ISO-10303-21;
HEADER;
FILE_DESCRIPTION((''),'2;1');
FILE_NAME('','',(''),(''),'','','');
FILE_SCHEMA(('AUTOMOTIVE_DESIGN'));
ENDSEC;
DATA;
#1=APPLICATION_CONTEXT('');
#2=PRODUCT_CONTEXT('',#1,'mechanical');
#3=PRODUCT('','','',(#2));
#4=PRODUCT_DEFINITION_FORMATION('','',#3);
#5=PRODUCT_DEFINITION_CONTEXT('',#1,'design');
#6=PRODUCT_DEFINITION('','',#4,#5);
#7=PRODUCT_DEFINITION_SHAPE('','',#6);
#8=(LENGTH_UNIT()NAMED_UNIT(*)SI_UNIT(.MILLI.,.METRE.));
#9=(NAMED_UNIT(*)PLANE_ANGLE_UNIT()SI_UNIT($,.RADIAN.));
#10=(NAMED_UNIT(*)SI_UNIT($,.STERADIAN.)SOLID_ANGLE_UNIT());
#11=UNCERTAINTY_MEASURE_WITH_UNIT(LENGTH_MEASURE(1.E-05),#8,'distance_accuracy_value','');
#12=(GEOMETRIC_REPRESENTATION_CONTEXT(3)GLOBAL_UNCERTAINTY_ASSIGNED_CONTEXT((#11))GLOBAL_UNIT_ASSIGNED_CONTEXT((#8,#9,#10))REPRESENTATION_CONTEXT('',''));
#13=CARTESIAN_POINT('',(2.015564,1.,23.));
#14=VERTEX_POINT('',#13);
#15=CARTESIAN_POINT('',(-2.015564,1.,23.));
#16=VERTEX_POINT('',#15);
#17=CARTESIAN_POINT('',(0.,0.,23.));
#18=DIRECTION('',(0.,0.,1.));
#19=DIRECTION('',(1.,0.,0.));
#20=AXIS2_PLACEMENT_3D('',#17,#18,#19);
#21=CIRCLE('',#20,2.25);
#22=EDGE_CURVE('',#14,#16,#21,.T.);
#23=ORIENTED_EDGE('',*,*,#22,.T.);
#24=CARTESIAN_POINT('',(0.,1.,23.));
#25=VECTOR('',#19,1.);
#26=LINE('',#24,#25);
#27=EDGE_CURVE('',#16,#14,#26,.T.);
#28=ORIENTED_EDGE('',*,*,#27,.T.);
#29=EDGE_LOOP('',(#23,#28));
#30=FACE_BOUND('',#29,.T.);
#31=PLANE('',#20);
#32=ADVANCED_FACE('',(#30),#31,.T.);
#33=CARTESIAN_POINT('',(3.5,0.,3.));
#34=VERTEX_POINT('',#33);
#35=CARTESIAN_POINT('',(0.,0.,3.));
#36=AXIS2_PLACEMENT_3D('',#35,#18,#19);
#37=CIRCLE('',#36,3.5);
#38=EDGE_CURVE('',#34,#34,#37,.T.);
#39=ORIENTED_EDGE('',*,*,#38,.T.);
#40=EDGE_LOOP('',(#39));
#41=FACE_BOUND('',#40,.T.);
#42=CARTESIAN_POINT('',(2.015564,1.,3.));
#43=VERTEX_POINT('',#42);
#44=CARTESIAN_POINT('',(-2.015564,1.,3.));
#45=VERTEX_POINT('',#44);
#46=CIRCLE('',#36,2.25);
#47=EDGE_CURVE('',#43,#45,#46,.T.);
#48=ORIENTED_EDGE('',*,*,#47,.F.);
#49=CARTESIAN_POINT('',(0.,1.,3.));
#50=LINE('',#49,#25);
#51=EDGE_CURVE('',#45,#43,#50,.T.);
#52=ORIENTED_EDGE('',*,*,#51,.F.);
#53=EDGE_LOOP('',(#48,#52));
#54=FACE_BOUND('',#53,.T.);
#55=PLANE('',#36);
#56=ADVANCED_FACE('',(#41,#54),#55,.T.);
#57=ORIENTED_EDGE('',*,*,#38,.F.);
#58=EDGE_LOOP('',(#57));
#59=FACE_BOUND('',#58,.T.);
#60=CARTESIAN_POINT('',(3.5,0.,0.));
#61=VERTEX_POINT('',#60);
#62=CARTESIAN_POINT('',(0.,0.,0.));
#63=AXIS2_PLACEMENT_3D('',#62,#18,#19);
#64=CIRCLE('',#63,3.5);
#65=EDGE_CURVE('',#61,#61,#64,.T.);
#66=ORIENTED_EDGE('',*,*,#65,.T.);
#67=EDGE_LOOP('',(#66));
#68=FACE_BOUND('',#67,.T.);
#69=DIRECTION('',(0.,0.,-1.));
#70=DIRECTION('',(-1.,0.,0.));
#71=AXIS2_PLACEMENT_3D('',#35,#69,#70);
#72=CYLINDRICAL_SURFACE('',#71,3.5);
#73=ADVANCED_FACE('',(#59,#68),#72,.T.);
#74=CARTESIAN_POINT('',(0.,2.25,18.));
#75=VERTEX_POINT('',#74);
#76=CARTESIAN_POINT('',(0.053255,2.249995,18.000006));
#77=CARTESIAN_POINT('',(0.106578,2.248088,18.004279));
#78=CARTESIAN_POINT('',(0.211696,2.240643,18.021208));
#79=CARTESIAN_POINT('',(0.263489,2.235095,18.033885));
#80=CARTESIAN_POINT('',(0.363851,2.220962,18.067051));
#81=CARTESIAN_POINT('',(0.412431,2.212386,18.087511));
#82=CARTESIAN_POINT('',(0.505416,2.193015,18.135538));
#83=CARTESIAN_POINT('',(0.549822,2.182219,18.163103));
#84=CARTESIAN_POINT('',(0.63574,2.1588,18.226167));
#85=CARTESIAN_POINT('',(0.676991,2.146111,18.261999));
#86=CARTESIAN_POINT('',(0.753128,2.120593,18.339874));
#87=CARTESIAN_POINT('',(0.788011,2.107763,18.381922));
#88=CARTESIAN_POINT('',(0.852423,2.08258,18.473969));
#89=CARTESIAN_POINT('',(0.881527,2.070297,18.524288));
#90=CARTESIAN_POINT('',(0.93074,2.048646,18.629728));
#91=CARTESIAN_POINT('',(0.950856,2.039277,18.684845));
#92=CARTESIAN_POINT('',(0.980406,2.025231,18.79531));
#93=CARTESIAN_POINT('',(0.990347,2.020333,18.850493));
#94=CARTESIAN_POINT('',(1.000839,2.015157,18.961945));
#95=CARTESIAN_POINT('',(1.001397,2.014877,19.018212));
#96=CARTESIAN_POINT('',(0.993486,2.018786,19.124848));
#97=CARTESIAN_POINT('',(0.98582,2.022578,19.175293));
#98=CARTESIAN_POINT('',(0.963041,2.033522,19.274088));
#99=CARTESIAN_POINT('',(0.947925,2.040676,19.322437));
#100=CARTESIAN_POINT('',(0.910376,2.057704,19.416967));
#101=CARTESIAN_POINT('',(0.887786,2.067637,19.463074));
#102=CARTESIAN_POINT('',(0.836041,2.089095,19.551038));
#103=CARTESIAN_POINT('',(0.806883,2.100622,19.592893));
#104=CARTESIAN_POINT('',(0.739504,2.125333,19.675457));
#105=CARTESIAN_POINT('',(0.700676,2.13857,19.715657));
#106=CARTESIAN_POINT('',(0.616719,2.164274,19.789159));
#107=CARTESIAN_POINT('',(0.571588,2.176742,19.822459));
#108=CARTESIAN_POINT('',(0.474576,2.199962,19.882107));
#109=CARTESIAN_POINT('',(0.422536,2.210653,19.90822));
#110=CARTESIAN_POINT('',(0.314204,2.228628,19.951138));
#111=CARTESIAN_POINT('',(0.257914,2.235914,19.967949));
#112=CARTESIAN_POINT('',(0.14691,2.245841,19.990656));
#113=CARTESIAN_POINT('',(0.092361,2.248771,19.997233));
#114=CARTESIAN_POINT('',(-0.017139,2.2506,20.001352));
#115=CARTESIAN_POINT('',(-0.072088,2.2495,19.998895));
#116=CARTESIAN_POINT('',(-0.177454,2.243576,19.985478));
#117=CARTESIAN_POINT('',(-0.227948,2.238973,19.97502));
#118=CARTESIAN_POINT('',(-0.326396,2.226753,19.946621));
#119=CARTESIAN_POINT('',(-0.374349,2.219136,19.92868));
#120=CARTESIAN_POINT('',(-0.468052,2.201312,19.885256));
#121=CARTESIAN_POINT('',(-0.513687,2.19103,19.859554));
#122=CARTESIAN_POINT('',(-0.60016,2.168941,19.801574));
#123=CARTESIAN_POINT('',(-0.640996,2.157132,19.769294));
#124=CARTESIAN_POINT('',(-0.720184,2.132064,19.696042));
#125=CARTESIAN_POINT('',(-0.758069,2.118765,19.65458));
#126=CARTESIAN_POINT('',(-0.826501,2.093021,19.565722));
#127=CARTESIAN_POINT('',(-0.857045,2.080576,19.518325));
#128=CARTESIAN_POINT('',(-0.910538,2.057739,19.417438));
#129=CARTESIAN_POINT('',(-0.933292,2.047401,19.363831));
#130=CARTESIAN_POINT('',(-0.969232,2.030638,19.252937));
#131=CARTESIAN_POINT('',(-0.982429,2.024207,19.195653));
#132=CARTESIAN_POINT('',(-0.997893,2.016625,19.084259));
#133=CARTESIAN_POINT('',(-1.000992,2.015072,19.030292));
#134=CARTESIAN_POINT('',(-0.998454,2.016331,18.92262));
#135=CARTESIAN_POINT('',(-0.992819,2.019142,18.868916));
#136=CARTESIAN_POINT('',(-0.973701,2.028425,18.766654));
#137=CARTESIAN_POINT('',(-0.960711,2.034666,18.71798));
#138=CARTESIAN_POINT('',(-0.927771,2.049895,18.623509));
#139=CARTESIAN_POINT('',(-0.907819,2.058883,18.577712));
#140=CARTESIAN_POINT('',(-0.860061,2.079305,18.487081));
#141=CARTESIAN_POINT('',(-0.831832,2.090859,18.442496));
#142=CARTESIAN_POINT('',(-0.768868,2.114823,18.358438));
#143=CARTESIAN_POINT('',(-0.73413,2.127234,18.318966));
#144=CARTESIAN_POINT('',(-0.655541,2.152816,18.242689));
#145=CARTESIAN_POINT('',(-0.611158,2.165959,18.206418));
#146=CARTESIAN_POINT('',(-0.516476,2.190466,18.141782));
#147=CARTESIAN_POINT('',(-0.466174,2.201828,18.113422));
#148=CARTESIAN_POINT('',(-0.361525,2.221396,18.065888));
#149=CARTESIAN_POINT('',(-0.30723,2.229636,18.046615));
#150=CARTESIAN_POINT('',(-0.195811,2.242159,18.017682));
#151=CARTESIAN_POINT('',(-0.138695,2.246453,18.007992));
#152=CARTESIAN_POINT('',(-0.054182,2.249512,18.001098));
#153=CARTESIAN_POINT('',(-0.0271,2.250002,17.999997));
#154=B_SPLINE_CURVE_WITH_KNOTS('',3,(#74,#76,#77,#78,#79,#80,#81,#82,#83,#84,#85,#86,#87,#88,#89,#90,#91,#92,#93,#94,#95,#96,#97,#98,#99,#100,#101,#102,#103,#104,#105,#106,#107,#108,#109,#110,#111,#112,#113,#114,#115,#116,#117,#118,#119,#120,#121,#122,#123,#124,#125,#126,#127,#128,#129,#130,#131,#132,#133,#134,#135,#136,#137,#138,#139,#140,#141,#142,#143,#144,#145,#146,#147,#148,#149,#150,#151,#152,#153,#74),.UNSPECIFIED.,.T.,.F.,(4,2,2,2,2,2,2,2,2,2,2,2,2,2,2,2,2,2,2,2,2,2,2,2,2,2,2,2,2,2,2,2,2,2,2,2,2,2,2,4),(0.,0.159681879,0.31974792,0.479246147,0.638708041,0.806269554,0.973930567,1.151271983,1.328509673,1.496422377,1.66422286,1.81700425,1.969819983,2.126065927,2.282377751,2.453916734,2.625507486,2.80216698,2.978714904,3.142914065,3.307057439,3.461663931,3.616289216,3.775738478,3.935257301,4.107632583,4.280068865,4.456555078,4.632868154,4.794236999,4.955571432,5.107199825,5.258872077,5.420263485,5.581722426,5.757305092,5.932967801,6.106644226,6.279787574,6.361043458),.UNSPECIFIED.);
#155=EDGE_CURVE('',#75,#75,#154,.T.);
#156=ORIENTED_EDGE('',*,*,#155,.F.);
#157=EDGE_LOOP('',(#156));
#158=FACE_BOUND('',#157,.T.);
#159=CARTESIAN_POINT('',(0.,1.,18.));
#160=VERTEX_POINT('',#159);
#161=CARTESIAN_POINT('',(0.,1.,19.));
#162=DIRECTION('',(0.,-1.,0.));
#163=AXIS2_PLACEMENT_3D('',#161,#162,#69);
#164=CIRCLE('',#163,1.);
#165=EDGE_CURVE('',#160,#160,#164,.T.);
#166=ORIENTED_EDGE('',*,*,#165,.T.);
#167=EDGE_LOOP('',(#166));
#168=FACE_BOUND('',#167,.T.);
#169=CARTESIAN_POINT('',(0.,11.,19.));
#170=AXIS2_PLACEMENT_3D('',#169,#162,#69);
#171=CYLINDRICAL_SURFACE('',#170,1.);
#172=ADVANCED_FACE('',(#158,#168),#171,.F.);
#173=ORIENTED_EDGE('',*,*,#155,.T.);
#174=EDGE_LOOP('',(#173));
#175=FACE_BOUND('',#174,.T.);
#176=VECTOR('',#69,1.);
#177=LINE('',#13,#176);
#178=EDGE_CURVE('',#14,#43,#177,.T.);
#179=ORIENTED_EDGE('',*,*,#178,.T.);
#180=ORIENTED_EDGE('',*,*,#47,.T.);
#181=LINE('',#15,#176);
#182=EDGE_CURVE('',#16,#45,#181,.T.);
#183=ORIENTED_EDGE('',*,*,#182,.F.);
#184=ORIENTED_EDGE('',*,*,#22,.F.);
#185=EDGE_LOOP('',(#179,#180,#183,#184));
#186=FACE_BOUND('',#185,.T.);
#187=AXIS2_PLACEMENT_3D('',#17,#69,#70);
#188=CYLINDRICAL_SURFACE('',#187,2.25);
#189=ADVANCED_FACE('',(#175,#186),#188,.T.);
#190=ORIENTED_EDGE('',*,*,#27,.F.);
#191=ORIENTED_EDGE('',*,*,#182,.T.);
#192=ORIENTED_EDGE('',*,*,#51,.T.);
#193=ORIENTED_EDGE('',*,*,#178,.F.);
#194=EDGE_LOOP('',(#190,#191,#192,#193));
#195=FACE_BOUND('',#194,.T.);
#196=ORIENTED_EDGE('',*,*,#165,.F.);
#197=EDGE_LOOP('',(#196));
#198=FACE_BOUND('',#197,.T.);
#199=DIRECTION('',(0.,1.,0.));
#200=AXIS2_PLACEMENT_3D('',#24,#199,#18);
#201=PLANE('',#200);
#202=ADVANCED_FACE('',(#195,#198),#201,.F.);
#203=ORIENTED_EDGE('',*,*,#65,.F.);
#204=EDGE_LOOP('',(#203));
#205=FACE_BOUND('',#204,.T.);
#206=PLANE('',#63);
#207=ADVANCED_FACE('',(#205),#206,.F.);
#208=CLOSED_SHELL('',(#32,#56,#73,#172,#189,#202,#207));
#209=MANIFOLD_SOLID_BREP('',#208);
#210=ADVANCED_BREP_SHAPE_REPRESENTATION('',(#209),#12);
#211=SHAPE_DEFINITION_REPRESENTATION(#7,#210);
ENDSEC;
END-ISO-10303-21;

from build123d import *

# Parameters (mm, degrees)
BOSS_EXTRUDE1_DEPTH = 3
BOSS_EXTRUDE2_DEPTH = 20
SKETCH3_R           = 1
CUT_EXTRUDE1_DEPTH  = 10


with BuildPart() as part:
    # Sketch1 → Boss-Extrude1 (new body)
    with BuildSketch(Plane.XY):
        with BuildLine():
            ThreePointArc((3.354101966, 1), (0, 3.5), (-3.354101966, 1))
            Line((-3.354101966, 1), (3.354101966, 1))
        make_face()
        with BuildLine():
            Line((3.354101966, 1), (-3.354101966, 1))
            ThreePointArc((-3.354101966, 1), (-0.505293538, -3.463333429), (3.5, 0))
            ThreePointArc((3.5, 0), (3.463333429, 0.505293538), (3.354101966, 1))
        make_face()
    extrude(amount=BOSS_EXTRUDE1_DEPTH)

    # Sketch2 → Boss-Extrude2 (add)
    with BuildSketch(Plane.XY.offset(3)):
        with BuildLine():
            ThreePointArc((2.015564437, 1), (0, 2.25), (-2.015564437, 1))
            Line((-2.015564437, 1), (2.015564437, 1))
        make_face()
    extrude(amount=BOSS_EXTRUDE2_DEPTH)

    # Sketch3 → Cut-Extrude1 (cut)
    with BuildSketch(Plane(origin=(0, 1, 0), x_dir=(-1, 0, 0), z_dir=(0, -1, 0))):
        with Locations(Location((0, -19, 0), (0, 0, 90))):
            Circle(SKETCH3_R)
    extrude(amount=-CUT_EXTRUDE1_DEPTH, mode=Mode.SUBTRACT)


solid = part.part
